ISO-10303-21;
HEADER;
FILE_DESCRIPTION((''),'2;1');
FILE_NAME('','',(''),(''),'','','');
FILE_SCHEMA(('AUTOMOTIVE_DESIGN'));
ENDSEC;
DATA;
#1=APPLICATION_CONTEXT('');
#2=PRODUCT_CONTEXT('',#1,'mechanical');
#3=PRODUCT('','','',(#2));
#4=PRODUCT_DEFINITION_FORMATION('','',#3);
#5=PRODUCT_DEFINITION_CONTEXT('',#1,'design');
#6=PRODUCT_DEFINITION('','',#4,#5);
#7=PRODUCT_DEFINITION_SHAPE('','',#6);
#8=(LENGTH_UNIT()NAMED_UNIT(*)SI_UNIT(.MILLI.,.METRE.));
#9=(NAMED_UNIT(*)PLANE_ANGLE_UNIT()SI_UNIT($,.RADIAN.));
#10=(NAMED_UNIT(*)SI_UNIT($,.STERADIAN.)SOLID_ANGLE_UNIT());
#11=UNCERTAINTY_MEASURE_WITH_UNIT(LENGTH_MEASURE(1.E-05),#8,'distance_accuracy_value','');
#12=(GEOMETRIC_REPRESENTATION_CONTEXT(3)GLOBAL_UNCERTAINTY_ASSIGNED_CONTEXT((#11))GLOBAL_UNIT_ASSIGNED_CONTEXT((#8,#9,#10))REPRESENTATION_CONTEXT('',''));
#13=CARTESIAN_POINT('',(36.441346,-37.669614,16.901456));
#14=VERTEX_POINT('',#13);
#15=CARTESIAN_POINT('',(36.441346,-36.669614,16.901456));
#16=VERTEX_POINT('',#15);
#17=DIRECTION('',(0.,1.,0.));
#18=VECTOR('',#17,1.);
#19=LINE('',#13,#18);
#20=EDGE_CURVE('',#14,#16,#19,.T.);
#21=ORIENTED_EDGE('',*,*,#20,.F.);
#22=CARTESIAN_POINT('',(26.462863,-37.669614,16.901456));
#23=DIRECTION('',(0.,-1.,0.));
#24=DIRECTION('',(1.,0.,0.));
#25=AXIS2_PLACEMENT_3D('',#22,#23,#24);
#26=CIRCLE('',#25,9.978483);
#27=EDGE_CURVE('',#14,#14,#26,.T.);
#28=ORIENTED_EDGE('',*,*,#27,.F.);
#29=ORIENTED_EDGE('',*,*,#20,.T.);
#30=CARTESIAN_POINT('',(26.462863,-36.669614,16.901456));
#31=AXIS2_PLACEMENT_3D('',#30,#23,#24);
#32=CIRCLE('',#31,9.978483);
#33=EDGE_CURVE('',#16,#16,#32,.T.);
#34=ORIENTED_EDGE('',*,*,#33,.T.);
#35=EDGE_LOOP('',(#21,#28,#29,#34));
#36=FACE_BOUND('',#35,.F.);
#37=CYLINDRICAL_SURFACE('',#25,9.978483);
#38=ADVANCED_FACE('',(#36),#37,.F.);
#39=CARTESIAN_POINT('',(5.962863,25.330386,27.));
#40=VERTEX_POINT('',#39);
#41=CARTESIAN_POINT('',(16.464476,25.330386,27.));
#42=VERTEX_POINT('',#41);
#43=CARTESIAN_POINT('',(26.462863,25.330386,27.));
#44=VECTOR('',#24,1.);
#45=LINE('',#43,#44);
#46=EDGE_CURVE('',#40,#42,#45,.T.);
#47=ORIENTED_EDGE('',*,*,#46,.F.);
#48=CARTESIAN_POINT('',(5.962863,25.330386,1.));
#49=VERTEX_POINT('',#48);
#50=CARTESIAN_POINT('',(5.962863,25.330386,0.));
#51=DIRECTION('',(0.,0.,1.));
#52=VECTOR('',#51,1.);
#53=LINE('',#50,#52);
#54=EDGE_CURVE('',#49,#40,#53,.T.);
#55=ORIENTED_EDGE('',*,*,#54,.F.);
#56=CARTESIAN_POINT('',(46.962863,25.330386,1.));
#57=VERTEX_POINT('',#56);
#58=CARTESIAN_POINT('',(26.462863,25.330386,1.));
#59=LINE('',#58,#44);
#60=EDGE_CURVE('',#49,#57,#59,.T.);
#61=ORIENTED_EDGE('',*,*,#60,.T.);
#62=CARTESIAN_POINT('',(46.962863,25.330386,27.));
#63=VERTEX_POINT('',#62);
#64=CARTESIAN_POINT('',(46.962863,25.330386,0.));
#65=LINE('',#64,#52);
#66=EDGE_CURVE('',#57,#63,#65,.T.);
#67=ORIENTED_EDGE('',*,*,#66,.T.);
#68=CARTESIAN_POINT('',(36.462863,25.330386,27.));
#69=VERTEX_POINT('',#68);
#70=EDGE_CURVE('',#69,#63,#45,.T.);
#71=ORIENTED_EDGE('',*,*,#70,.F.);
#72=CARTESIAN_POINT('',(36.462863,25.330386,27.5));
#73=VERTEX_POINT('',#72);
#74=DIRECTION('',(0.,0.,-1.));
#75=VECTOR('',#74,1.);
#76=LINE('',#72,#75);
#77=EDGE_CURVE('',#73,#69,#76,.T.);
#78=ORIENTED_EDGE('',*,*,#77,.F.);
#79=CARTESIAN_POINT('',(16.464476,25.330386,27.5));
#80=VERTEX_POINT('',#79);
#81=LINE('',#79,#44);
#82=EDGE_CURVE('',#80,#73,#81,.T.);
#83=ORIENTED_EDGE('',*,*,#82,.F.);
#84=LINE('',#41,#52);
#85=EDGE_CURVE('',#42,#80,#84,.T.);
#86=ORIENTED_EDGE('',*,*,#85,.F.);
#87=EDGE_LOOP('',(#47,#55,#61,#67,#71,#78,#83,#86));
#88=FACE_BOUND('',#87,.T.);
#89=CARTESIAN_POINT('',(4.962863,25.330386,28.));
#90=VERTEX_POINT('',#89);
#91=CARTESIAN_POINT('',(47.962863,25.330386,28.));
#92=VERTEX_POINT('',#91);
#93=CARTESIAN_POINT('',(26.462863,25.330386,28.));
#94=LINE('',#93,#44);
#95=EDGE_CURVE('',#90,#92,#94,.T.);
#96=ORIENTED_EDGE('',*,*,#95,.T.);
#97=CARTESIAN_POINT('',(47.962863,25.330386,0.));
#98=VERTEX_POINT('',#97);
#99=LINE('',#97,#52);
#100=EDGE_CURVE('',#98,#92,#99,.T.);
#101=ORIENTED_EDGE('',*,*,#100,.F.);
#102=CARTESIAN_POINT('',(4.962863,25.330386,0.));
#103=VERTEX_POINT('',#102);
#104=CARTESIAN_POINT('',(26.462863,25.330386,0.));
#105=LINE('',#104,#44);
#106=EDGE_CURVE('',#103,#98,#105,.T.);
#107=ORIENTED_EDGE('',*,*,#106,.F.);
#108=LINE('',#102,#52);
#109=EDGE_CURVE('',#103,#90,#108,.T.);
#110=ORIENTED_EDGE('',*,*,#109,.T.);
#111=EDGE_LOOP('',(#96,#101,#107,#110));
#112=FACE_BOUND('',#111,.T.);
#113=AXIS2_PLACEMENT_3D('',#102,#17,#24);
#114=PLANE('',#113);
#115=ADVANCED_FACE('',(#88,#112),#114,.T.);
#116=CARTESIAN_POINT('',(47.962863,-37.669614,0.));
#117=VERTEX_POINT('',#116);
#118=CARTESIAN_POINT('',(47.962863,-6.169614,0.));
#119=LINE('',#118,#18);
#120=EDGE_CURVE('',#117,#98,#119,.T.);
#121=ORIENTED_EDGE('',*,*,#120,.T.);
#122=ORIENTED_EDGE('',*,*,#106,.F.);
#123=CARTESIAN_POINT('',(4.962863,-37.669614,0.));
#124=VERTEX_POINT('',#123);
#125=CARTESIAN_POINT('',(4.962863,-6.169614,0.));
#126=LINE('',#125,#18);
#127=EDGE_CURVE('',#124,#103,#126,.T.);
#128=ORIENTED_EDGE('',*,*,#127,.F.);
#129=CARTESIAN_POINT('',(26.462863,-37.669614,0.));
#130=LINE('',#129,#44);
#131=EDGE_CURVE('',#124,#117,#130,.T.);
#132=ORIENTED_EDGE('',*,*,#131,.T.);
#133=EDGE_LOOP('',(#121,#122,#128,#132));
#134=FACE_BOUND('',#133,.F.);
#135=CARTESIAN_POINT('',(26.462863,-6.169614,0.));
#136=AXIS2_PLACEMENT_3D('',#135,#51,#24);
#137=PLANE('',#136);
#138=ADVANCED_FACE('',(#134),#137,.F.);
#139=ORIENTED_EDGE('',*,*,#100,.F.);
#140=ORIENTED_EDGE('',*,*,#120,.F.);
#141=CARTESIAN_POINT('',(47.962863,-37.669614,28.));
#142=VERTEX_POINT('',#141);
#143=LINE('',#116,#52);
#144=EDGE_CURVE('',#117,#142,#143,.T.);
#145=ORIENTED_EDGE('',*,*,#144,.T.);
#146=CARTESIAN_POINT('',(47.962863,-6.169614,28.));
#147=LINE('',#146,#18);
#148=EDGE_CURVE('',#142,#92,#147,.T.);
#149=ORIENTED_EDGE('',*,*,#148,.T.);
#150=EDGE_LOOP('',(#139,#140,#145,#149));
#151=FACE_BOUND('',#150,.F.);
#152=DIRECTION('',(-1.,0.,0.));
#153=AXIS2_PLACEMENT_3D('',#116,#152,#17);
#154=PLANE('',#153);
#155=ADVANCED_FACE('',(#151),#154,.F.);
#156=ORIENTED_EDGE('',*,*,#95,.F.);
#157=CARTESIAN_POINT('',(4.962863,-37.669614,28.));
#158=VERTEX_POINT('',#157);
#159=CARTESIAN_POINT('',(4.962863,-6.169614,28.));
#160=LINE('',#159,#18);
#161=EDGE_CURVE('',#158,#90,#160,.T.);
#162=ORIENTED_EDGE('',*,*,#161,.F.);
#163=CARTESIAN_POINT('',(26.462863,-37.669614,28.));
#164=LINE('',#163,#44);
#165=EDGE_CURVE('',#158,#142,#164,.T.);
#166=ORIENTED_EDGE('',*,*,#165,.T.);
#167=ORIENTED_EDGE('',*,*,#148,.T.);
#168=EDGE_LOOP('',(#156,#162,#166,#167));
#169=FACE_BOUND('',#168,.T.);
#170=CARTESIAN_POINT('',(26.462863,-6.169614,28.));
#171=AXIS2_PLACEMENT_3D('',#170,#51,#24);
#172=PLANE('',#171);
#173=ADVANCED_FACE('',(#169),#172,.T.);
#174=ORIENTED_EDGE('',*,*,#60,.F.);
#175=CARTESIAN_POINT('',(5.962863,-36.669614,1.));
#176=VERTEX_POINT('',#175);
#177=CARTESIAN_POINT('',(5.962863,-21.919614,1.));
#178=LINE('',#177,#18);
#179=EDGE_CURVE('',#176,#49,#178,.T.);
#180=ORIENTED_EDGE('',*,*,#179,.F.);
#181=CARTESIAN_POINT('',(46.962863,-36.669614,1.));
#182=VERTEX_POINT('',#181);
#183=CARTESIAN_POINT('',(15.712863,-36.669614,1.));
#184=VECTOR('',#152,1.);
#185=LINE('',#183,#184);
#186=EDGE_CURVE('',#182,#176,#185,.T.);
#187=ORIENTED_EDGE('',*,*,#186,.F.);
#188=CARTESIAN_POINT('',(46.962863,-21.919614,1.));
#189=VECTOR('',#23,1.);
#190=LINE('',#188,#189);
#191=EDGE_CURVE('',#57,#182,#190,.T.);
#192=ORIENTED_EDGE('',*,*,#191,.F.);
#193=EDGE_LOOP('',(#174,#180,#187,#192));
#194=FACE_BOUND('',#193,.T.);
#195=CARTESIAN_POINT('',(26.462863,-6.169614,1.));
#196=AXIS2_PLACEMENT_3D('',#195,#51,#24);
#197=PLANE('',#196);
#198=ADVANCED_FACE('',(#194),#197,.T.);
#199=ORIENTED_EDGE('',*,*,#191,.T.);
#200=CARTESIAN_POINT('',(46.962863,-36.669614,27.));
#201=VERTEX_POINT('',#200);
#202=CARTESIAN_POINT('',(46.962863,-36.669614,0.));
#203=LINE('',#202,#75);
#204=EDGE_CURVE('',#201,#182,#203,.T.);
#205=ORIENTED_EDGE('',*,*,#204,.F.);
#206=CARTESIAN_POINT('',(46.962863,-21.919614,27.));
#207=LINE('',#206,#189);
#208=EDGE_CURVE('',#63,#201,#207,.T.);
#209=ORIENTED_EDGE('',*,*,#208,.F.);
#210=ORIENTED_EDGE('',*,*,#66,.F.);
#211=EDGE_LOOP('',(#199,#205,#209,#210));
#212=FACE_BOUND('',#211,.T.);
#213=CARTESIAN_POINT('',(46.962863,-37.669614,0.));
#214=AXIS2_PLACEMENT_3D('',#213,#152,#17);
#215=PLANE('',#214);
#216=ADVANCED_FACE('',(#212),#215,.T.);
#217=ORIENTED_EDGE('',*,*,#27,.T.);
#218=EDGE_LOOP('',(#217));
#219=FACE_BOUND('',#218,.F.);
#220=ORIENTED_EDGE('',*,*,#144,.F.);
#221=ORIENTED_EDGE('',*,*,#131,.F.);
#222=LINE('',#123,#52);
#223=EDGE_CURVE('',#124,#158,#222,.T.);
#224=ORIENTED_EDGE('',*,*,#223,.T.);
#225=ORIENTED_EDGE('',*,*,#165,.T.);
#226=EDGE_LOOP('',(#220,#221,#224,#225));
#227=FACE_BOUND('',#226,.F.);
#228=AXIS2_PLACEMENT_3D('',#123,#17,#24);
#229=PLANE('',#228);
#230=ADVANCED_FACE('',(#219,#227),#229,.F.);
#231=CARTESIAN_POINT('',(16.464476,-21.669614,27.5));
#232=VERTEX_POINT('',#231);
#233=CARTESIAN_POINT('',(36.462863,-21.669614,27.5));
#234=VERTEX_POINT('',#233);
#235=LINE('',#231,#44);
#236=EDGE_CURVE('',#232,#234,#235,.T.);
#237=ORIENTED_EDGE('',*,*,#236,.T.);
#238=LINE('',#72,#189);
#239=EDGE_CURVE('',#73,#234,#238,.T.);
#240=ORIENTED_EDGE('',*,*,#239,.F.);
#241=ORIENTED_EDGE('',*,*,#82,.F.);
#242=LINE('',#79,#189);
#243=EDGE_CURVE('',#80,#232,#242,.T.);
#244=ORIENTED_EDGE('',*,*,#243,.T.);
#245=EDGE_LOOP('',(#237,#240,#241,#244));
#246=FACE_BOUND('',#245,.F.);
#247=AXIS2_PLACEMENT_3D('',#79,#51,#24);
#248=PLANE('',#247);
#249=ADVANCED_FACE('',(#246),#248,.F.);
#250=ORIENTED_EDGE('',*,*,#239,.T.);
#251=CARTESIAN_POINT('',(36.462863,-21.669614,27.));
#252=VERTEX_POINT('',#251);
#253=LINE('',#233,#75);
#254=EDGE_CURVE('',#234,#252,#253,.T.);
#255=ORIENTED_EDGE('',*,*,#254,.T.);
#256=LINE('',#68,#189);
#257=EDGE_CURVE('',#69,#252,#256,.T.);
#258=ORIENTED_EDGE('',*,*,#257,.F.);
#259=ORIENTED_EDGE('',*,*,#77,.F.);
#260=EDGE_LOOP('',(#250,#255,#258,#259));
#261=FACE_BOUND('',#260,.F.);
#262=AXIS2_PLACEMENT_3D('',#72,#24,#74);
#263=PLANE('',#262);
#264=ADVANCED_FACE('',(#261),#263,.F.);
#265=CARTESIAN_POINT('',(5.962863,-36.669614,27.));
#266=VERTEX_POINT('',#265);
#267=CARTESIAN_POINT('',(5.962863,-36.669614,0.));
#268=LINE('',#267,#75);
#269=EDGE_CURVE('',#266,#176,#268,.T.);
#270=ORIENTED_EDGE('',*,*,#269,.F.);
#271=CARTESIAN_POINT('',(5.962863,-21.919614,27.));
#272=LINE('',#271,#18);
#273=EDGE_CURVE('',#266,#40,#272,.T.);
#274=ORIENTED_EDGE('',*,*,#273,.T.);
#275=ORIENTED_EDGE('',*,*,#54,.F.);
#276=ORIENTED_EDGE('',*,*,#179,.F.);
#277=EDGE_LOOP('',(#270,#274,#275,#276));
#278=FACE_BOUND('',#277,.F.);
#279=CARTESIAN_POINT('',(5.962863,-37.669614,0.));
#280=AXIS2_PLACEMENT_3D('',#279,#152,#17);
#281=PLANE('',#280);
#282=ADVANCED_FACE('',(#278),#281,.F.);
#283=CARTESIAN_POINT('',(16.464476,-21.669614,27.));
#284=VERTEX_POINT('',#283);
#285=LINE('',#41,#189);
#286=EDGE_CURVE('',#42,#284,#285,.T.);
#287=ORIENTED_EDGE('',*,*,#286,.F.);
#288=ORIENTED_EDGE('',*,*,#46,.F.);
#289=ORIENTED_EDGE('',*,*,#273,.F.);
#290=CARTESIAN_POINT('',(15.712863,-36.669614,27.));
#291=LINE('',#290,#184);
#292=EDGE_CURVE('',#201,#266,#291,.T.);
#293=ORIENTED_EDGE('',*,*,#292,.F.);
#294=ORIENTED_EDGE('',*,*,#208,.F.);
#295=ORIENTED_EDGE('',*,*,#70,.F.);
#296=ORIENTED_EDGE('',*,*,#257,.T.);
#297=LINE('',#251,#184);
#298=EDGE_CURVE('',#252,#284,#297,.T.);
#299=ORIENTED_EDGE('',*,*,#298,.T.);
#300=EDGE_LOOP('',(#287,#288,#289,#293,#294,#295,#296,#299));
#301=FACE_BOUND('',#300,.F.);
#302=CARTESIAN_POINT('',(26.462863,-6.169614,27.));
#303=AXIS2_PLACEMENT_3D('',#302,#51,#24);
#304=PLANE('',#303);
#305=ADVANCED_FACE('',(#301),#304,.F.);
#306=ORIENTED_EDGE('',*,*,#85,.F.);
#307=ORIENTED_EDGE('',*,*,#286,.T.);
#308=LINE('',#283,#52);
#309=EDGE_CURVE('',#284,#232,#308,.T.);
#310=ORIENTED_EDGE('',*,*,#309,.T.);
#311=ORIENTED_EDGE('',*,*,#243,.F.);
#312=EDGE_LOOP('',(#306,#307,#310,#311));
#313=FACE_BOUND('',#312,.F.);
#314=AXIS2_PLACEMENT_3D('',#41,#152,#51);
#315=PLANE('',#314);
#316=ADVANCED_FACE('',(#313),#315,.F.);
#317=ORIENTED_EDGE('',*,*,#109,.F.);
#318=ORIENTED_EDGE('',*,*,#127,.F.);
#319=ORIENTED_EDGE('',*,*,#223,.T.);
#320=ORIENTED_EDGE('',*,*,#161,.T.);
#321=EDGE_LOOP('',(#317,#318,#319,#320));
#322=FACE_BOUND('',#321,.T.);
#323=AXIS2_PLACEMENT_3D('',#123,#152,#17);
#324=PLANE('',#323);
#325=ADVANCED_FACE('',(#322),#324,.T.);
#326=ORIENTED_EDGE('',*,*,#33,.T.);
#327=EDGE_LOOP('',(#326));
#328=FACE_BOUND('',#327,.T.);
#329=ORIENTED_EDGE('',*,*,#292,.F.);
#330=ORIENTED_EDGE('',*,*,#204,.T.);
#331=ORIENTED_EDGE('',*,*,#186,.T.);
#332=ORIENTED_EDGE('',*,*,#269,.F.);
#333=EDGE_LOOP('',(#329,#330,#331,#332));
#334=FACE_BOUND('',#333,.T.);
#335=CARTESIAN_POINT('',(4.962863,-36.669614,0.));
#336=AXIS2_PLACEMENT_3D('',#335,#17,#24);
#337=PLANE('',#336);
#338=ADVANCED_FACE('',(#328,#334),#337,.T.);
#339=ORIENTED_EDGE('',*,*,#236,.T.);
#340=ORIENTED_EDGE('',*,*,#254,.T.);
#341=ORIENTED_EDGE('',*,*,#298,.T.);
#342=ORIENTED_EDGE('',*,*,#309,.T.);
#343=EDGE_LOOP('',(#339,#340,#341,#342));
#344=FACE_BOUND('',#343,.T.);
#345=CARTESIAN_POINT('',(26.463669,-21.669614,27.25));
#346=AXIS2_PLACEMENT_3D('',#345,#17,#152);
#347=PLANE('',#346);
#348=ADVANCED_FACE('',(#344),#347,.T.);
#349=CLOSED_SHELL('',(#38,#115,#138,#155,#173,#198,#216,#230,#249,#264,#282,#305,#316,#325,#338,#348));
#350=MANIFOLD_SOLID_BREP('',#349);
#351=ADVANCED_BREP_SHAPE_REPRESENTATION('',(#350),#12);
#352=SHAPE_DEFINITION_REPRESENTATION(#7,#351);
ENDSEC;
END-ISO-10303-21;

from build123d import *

# Parameters (mm, degrees)
F0_W     = 43
F0_H     = 63
F1_DEPTH = 28
F2_R     = 9.9784830952
F3_DEPTH = 63
F4_T     = -1
F6_DEPTH = 47


with BuildPart() as f1:
    # F0 (on Top) → F1 (new body)
    with BuildSketch(Plane.XY):
        with Locations((26.4628629982, -6.1696139574)):
            Rectangle(F0_W, F0_H)
    extrude(amount=F1_DEPTH)

    # F2 (on face) → F3 (cut)
    with BuildSketch(Plane.XZ.offset(37.6696139574)):
        with Locations((26.4628629982, 16.9014558196)):
            Circle(F2_R)
    extrude(amount=-F3_DEPTH, mode=Mode.SUBTRACT)

    # F4
    f4_openings = [f1.faces().sort_by_distance(p)[0] for p in [
        (16.48438, -6.169614, 16.901456),
        (47.449735, 25.330386, 14),
    ]]
    offset(amount=F4_T, openings=f4_openings)

    # F5 (on face) → F6 (cut)
    with BuildSketch(Plane(origin=(0, 25.3303860426, 0), x_dir=(-1, 0, 0), z_dir=(0, 1, 0))):
        Polygon((-36.4628629982, 27), (-26.4628629982, 27), (-16.4644755423, 27), (-16.4644755423, 27.5), (-36.4628629982, 27.5), align=None)
    extrude(amount=-F6_DEPTH, mode=Mode.SUBTRACT)


solid = f1.part
